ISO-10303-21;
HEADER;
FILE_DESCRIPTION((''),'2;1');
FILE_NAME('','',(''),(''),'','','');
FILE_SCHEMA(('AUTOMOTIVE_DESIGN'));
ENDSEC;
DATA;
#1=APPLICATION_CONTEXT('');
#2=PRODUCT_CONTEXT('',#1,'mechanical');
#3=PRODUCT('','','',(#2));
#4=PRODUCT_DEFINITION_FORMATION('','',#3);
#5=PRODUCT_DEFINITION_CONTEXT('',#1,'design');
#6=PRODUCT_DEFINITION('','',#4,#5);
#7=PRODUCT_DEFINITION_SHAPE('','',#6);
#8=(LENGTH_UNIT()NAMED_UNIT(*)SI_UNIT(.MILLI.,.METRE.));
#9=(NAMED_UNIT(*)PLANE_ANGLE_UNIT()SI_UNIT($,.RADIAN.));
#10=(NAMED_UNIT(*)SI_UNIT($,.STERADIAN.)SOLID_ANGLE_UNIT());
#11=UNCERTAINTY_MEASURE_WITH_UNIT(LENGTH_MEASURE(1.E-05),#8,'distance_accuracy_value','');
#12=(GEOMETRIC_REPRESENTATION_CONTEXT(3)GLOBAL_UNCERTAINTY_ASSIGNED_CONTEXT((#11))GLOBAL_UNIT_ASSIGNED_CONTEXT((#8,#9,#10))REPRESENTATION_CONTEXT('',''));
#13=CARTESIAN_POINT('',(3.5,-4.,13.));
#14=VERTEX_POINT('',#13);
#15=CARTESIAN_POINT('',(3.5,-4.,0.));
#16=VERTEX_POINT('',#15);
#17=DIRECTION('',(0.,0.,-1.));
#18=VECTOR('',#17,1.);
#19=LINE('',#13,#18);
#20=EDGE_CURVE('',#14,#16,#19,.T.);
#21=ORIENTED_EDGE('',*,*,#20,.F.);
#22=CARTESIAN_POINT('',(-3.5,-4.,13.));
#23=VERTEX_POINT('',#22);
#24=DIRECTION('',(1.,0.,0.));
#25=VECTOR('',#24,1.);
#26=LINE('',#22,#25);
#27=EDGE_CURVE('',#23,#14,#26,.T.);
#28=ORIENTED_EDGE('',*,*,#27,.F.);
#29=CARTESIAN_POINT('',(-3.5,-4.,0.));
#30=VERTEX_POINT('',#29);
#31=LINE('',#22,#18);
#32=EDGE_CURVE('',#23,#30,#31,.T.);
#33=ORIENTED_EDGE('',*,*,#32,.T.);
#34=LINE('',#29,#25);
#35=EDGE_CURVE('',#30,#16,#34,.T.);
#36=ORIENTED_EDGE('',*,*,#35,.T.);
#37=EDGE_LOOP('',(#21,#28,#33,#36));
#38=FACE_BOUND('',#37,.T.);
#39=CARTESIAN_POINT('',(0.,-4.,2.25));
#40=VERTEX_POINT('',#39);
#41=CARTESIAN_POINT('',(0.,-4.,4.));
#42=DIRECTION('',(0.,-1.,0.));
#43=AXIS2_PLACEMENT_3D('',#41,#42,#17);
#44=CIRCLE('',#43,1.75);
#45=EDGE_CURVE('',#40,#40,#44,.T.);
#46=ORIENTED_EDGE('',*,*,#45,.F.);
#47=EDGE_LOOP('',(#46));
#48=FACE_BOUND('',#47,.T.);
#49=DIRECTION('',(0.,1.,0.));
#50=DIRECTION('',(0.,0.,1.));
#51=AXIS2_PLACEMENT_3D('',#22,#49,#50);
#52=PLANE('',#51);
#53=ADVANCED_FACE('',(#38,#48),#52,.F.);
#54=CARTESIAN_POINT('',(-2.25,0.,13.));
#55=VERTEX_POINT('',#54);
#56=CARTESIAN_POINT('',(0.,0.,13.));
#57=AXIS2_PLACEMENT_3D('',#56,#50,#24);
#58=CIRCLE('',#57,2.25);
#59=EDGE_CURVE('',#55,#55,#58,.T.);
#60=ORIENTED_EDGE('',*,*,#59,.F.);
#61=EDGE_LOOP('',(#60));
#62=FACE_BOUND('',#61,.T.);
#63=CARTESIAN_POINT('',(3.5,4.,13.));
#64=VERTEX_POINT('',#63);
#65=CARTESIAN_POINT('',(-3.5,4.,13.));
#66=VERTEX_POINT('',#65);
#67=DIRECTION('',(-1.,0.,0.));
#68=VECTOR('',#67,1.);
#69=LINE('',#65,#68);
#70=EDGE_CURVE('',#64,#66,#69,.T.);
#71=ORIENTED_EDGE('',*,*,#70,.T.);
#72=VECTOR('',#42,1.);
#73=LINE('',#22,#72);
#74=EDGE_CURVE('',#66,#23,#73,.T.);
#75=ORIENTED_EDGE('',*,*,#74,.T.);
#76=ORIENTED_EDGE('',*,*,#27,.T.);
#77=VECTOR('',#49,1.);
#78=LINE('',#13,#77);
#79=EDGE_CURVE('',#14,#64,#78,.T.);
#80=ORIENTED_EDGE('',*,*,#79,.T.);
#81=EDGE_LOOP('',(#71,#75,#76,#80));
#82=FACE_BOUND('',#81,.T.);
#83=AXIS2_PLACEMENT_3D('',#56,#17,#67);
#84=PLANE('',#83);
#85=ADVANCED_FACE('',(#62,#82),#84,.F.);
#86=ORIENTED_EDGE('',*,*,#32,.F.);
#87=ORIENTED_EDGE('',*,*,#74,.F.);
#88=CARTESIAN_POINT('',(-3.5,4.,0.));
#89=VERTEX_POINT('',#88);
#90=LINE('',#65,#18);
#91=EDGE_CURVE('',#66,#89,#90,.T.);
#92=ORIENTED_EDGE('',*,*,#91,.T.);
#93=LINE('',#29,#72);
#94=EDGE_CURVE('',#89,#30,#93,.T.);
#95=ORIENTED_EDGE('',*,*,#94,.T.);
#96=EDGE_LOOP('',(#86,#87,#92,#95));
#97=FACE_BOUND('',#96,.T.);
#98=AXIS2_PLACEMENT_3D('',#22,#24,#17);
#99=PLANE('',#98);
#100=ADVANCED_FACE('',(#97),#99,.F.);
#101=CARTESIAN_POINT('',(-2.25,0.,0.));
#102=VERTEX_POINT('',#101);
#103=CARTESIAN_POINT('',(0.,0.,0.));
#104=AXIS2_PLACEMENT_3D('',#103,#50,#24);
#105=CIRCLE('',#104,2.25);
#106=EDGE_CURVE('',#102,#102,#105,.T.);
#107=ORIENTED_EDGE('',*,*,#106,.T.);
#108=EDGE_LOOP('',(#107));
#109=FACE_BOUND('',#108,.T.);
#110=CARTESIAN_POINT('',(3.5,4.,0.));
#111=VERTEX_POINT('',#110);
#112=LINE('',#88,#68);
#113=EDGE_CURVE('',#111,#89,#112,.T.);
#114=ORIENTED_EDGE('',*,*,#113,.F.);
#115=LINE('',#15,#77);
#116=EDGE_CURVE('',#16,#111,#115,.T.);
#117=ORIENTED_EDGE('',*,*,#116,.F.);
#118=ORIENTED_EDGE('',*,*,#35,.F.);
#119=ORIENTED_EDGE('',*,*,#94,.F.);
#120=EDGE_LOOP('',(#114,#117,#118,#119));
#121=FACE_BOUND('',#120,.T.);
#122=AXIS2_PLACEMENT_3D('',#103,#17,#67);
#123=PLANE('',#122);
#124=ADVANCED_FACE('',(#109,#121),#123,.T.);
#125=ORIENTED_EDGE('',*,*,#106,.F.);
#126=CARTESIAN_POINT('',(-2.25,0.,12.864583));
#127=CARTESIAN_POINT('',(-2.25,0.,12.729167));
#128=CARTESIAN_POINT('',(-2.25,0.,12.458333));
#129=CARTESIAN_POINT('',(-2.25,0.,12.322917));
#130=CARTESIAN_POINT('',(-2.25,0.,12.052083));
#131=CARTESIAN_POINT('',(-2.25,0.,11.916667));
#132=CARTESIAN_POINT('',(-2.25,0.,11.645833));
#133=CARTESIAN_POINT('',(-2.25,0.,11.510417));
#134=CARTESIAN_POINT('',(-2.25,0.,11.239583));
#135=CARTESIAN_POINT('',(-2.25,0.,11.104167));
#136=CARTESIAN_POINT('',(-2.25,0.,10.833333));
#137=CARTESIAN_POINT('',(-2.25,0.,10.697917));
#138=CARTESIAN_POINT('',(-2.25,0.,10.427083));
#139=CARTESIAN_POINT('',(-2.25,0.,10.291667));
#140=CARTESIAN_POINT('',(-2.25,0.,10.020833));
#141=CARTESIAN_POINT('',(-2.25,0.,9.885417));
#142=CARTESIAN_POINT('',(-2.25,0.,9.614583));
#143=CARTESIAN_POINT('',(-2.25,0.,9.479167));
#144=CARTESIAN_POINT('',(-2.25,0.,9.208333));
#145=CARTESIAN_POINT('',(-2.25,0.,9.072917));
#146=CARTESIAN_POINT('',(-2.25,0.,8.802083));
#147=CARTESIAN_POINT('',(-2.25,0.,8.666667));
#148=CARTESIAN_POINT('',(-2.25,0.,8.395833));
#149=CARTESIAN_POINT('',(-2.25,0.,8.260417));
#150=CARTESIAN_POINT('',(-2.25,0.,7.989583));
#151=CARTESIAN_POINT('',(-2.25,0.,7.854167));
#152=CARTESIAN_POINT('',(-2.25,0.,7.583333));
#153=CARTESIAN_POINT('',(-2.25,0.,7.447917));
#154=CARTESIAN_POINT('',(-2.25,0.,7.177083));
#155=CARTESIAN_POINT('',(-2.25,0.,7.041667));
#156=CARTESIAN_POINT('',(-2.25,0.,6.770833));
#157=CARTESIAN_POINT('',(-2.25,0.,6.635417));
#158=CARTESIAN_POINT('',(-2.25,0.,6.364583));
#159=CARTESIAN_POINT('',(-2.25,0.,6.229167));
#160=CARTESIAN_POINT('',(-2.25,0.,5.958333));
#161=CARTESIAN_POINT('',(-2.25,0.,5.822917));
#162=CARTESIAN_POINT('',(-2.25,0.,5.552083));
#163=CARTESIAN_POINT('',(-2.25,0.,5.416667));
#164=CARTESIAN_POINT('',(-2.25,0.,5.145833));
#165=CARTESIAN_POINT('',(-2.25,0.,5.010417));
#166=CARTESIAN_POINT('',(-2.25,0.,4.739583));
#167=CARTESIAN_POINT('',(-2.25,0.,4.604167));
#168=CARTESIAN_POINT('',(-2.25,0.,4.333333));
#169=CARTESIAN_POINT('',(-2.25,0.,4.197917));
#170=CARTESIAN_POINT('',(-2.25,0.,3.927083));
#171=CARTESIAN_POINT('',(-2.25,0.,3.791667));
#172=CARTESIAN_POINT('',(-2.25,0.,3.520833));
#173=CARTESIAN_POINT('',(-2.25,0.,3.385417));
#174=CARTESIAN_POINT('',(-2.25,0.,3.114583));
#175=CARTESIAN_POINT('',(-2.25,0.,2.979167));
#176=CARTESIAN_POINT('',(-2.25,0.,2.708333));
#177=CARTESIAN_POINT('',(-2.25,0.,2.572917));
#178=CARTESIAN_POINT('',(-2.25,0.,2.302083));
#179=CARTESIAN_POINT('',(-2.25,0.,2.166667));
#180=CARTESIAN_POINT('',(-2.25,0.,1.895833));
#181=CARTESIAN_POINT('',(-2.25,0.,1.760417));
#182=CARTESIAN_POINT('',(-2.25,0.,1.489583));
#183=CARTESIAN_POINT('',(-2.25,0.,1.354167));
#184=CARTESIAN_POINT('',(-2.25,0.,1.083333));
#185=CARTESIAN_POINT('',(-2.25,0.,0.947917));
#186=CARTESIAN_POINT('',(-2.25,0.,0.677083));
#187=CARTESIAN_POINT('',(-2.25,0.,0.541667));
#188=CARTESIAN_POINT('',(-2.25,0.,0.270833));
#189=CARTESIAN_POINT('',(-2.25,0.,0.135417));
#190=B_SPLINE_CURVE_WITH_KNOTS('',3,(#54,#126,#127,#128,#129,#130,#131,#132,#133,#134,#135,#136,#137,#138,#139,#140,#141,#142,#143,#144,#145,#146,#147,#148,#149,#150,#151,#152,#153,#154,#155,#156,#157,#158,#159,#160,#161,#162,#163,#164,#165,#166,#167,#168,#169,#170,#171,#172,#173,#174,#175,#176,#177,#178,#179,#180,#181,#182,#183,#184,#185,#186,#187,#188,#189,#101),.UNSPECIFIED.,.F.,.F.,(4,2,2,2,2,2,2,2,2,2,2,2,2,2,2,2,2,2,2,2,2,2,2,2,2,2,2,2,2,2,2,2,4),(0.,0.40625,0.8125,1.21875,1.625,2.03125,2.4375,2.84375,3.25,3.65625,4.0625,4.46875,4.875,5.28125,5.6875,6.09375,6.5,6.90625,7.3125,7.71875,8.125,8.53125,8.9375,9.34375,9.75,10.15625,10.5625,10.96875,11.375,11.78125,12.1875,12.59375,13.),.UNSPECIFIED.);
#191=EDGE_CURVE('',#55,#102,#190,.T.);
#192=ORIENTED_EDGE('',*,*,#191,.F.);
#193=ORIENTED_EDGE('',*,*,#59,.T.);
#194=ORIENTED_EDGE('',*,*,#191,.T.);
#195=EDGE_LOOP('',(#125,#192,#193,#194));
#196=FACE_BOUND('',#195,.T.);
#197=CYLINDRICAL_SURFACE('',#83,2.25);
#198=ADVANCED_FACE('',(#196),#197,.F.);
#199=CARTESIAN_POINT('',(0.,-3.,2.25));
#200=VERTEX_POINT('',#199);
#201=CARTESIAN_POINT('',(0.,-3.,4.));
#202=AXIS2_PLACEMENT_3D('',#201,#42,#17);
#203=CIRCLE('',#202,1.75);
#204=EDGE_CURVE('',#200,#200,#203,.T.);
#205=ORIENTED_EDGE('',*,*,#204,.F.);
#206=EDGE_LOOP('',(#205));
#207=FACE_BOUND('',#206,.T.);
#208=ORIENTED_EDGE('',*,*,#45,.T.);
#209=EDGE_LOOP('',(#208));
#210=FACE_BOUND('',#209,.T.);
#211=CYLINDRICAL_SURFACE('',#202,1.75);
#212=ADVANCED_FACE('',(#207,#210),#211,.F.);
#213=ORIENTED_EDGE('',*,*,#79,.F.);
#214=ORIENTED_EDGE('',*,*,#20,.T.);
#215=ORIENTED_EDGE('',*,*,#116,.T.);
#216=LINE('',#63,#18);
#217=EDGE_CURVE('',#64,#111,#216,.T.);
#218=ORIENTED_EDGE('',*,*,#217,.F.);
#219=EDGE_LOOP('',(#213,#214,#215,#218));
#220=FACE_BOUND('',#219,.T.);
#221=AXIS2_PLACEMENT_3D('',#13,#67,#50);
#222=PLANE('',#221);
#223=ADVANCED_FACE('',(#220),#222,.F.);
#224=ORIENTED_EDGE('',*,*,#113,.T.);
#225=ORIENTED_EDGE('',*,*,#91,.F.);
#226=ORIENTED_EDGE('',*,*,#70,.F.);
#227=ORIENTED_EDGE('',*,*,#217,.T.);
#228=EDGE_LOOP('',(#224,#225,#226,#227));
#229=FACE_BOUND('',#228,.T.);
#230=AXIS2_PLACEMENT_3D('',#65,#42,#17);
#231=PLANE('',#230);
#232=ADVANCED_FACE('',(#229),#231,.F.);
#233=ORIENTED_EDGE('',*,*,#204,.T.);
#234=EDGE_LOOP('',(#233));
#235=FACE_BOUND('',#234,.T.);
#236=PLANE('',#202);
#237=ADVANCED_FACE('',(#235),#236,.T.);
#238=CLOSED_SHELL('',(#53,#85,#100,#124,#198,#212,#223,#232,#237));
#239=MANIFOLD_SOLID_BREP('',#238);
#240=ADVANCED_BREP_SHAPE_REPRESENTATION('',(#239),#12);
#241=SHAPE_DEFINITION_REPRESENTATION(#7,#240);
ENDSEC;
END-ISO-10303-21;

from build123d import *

# Parameters (mm, degrees)
ESQUISSE1_W             = 7
ESQUISSE1_H             = 8
ESQUISSE1_R             = 2.25
BOSS_EXTRU_1_DEPTH      = 13
ESQUISSE2_R             = 1.75
ENL_V_MAT_EXTRU_1_DEPTH = 1


with BuildPart() as part:
    # Esquisse1 → Boss.-Extru.1 (new body)
    with BuildSketch(Plane.XY):
        Rectangle(ESQUISSE1_W, ESQUISSE1_H)
        with Locations(Location((0, 0, 0), (0, 0, 180))):
            Circle(ESQUISSE1_R, mode=Mode.SUBTRACT)
    extrude(amount=BOSS_EXTRU_1_DEPTH)

    # Esquisse2 → Enlèv. mat.-Extru.1 (cut)
    with BuildSketch(Plane.XZ.offset(4)):
        with Locations(Location((0, 4, 0), (0, 0, 270))):
            Circle(ESQUISSE2_R)
    extrude(amount=-ENL_V_MAT_EXTRU_1_DEPTH, mode=Mode.SUBTRACT)


solid = part.part
